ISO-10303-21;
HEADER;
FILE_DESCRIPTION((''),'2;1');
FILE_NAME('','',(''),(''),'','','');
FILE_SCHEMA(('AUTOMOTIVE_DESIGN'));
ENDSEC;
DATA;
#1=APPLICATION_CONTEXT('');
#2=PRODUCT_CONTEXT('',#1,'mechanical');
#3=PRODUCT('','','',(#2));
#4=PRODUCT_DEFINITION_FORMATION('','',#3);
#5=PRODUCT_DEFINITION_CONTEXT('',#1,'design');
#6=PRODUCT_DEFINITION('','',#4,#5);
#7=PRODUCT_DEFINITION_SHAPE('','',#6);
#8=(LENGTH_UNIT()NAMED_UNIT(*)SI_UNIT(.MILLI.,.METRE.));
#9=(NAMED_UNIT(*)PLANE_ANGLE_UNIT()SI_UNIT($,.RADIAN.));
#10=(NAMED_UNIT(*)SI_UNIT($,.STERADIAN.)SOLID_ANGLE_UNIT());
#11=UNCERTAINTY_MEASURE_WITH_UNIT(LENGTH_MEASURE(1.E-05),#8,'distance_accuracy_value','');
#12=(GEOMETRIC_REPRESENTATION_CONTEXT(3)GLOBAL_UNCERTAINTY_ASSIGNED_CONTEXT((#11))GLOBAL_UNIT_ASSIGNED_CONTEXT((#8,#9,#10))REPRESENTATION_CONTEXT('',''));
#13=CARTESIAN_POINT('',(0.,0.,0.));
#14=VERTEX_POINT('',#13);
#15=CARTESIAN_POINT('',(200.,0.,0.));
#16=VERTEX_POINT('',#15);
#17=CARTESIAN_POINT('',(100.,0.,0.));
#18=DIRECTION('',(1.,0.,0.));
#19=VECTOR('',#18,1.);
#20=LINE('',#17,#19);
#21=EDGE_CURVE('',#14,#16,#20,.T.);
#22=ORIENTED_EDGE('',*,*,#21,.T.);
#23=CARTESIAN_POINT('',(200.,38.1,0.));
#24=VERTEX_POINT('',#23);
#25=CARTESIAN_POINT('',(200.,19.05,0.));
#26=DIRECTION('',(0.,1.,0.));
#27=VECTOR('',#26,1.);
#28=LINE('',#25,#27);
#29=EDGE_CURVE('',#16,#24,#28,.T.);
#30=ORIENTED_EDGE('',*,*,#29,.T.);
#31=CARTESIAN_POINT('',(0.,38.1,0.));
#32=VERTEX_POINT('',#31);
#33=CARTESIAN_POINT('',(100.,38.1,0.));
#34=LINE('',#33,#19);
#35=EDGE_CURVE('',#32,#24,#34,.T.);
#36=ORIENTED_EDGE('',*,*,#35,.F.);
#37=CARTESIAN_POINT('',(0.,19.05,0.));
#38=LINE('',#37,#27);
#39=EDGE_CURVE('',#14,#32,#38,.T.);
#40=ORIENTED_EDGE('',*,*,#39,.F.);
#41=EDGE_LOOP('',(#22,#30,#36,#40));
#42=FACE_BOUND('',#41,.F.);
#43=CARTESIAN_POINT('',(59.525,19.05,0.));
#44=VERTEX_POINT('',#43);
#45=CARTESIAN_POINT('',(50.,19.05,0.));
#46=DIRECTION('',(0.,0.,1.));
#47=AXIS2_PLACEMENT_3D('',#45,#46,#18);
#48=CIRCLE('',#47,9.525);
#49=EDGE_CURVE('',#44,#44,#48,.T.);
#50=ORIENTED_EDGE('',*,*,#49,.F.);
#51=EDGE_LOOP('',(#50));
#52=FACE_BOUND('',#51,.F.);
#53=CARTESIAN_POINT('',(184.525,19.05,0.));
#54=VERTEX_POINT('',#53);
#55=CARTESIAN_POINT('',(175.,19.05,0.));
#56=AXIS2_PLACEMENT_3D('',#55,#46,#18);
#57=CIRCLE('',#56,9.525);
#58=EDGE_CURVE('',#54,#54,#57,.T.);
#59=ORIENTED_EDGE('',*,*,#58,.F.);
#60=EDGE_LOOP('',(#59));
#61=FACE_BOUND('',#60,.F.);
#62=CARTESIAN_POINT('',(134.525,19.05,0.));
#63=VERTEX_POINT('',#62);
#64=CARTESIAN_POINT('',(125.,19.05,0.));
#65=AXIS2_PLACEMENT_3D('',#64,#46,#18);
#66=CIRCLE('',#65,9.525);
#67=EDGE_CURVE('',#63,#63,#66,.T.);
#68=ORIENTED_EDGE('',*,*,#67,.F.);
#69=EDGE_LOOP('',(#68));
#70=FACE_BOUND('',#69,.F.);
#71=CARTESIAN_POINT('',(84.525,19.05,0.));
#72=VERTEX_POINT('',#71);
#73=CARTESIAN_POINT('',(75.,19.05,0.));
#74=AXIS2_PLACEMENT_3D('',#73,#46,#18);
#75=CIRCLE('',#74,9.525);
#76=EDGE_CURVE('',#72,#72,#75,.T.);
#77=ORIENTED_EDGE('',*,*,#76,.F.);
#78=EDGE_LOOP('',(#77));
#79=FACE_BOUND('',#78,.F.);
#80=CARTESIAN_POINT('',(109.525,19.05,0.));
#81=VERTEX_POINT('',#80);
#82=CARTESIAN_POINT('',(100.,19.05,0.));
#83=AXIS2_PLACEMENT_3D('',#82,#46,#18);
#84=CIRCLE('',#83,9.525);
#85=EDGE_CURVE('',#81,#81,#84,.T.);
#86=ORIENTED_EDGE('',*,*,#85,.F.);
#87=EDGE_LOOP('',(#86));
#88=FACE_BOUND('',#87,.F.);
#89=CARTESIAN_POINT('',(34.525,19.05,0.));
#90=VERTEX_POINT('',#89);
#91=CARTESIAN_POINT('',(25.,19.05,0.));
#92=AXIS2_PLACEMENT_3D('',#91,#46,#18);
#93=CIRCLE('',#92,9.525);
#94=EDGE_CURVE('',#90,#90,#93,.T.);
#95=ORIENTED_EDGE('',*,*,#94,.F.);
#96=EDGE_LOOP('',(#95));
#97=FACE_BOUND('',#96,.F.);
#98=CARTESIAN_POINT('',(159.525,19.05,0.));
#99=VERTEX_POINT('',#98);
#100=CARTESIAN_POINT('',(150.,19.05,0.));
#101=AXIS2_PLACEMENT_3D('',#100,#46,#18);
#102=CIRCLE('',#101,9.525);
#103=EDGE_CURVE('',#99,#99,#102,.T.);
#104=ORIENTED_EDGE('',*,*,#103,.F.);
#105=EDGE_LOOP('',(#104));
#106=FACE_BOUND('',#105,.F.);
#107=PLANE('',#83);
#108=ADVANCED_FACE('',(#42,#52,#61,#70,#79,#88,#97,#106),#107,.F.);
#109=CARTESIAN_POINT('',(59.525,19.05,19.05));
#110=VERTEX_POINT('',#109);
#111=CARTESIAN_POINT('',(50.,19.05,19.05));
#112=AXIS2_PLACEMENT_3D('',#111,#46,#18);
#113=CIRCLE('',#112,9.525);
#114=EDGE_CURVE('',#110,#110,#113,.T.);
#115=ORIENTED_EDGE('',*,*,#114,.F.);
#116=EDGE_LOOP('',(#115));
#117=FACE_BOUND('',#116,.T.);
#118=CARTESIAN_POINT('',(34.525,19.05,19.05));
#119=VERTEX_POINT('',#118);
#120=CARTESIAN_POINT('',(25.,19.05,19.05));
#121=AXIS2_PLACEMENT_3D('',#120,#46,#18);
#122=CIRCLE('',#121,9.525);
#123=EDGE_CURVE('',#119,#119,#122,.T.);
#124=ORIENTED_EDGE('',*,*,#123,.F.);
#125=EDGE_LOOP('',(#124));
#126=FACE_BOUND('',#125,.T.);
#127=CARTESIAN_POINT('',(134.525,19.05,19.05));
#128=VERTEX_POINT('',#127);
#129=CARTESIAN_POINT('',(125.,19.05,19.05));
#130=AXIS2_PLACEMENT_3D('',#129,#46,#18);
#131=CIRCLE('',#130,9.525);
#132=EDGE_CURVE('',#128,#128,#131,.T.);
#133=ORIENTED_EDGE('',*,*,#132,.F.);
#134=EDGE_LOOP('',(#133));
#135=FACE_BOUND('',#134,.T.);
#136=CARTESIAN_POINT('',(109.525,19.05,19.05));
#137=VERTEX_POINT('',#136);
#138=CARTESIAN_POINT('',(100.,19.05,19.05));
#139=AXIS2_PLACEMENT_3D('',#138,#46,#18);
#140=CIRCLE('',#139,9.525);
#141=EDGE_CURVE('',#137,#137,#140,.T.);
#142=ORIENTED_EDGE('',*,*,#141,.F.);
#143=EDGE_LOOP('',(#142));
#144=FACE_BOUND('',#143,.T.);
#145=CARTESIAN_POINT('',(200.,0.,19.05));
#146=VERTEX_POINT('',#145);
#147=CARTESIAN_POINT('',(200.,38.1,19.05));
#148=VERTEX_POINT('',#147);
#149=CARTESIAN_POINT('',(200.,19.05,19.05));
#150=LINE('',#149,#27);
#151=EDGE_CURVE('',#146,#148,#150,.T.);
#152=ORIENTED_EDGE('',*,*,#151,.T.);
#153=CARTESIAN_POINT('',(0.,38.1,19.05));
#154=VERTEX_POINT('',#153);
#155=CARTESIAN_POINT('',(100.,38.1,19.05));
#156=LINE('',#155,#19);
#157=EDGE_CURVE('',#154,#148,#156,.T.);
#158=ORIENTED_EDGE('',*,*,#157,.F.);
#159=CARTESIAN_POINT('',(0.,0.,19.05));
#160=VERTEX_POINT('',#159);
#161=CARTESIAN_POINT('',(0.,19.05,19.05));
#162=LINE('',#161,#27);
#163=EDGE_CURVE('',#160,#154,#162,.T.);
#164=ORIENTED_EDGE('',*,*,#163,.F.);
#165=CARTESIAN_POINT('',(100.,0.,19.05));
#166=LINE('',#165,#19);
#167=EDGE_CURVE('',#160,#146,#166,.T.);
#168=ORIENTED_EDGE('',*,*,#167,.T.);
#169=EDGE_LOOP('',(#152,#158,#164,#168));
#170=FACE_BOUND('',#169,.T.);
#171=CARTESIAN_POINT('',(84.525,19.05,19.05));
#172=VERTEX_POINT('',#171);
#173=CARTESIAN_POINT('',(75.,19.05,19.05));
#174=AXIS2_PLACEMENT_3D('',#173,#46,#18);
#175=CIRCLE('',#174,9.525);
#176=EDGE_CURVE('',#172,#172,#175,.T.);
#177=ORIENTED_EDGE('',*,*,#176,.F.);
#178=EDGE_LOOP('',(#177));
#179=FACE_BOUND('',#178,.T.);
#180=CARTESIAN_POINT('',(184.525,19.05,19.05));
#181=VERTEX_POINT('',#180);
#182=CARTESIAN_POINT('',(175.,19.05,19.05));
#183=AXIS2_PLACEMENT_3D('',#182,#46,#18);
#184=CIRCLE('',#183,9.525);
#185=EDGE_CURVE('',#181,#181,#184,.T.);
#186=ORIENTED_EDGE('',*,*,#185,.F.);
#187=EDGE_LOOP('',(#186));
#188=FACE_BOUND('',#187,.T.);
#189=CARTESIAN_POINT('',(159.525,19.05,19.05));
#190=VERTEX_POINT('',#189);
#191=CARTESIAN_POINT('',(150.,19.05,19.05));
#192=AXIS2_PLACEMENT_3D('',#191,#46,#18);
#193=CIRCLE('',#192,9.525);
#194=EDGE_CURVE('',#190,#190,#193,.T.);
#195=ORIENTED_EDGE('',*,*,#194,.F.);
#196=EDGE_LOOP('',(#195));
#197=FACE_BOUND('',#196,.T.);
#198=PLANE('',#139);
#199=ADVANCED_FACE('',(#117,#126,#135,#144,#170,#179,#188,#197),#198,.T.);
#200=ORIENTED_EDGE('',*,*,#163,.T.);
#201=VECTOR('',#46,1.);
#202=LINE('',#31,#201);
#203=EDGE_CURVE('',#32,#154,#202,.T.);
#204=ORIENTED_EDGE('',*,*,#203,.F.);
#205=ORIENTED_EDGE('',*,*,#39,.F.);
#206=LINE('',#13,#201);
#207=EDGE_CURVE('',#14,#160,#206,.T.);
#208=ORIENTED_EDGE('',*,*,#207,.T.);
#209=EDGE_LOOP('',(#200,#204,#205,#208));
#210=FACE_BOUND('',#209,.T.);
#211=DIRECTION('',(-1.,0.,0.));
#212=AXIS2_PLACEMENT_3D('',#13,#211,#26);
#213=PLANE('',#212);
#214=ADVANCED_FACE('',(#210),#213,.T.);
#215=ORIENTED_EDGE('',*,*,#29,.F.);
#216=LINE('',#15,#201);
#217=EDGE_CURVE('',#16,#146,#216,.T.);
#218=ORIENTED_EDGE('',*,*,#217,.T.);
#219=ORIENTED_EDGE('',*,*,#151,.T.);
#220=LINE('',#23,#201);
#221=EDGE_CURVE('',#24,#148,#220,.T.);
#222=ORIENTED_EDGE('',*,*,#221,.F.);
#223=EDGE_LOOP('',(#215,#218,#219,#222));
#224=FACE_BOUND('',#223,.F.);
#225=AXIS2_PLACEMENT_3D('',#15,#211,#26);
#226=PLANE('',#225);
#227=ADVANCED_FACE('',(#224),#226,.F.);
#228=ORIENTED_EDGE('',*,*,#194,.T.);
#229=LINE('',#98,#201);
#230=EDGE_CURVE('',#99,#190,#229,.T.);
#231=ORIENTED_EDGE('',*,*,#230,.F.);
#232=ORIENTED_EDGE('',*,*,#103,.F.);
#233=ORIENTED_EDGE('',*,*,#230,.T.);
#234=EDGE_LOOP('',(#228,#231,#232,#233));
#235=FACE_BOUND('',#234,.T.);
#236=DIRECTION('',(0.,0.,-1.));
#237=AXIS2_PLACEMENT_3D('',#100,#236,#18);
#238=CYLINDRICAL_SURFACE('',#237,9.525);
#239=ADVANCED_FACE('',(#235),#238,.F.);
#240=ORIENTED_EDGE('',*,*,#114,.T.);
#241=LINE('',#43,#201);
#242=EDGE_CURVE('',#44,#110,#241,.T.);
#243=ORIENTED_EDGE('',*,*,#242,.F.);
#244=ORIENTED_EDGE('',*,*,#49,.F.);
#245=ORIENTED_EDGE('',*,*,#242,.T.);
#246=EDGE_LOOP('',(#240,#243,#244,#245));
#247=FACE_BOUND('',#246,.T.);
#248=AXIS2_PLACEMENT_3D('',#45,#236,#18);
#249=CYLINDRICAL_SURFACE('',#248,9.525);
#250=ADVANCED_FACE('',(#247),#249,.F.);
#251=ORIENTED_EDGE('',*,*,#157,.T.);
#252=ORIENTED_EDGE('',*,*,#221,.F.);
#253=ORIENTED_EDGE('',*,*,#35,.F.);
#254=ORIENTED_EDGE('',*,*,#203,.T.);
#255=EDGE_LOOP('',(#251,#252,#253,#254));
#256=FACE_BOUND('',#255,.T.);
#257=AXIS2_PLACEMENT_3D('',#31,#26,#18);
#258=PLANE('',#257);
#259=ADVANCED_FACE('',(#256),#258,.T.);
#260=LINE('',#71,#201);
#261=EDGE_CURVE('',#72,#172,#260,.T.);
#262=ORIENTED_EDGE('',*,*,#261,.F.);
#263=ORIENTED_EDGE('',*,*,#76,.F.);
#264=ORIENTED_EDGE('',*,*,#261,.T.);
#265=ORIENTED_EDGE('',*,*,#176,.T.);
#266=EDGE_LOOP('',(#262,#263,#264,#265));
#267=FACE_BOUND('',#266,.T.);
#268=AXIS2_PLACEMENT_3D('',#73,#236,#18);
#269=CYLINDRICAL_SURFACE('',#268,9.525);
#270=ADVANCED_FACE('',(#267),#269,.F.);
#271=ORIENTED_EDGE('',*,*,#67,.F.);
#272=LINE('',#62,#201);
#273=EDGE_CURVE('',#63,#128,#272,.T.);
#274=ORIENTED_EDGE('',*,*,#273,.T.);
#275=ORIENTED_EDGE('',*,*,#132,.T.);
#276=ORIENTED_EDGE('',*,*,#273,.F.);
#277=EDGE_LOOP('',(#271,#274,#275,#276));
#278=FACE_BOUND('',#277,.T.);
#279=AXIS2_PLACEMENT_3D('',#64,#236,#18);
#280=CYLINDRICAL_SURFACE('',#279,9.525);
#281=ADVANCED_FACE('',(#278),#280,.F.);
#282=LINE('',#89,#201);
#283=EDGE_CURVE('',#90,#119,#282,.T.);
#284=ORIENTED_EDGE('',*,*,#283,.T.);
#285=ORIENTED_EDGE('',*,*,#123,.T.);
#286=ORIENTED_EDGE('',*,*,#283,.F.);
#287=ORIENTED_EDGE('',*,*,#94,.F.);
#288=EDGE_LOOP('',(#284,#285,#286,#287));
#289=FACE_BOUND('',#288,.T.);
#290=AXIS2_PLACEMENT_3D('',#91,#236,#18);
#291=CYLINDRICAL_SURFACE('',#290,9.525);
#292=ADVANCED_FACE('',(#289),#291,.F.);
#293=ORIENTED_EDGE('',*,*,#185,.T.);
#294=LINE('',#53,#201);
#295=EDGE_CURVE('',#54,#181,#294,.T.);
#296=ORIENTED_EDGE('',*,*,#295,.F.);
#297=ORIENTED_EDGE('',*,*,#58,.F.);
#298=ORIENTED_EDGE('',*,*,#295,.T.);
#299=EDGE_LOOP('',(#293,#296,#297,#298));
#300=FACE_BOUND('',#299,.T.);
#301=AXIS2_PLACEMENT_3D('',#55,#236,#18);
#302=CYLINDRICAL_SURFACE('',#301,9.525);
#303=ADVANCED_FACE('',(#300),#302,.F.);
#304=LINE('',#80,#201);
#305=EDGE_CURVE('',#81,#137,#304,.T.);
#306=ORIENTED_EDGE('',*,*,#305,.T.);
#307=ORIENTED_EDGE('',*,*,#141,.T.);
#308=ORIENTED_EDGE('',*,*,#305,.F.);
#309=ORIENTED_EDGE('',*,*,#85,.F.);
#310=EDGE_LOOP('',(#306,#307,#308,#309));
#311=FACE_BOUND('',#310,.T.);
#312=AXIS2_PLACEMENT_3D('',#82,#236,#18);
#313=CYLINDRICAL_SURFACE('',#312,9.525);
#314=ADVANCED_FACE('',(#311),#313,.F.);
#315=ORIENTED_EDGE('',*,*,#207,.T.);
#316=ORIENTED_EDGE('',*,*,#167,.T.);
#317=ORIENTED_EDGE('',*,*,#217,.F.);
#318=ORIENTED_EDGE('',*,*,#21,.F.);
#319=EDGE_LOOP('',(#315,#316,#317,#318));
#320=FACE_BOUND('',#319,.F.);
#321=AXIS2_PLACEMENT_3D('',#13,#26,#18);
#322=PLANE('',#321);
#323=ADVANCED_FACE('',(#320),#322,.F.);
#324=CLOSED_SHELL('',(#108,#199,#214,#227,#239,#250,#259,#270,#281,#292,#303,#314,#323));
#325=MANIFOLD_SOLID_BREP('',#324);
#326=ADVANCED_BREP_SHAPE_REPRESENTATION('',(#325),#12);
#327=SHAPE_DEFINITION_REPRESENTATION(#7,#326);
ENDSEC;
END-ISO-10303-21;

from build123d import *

# Parameters (mm, degrees)
SKETCH001_W = 200
SKETCH001_H = 38.1
SKETCH001_R = 9.525
PAD_DEPTH   = 19.05


with BuildPart() as part:
    # Sketch001 → Pad (new body)
    with BuildSketch(Plane.XY):
        with Locations((100, 19.05)):
            Rectangle(SKETCH001_W, SKETCH001_H)
        with Locations((25, 19.05)):
            Circle(SKETCH001_R, mode=Mode.SUBTRACT)
        with Locations((50, 19.05)):
            Circle(SKETCH001_R, mode=Mode.SUBTRACT)
        with Locations((75, 19.05)):
            Circle(SKETCH001_R, mode=Mode.SUBTRACT)
        with Locations((100, 19.05)):
            Circle(SKETCH001_R, mode=Mode.SUBTRACT)
        with Locations((125, 19.05)):
            Circle(SKETCH001_R, mode=Mode.SUBTRACT)
        with Locations((150, 19.05)):
            Circle(SKETCH001_R, mode=Mode.SUBTRACT)
        with Locations((175, 19.05)):
            Circle(SKETCH001_R, mode=Mode.SUBTRACT)
    extrude(amount=PAD_DEPTH)


solid = part.part
